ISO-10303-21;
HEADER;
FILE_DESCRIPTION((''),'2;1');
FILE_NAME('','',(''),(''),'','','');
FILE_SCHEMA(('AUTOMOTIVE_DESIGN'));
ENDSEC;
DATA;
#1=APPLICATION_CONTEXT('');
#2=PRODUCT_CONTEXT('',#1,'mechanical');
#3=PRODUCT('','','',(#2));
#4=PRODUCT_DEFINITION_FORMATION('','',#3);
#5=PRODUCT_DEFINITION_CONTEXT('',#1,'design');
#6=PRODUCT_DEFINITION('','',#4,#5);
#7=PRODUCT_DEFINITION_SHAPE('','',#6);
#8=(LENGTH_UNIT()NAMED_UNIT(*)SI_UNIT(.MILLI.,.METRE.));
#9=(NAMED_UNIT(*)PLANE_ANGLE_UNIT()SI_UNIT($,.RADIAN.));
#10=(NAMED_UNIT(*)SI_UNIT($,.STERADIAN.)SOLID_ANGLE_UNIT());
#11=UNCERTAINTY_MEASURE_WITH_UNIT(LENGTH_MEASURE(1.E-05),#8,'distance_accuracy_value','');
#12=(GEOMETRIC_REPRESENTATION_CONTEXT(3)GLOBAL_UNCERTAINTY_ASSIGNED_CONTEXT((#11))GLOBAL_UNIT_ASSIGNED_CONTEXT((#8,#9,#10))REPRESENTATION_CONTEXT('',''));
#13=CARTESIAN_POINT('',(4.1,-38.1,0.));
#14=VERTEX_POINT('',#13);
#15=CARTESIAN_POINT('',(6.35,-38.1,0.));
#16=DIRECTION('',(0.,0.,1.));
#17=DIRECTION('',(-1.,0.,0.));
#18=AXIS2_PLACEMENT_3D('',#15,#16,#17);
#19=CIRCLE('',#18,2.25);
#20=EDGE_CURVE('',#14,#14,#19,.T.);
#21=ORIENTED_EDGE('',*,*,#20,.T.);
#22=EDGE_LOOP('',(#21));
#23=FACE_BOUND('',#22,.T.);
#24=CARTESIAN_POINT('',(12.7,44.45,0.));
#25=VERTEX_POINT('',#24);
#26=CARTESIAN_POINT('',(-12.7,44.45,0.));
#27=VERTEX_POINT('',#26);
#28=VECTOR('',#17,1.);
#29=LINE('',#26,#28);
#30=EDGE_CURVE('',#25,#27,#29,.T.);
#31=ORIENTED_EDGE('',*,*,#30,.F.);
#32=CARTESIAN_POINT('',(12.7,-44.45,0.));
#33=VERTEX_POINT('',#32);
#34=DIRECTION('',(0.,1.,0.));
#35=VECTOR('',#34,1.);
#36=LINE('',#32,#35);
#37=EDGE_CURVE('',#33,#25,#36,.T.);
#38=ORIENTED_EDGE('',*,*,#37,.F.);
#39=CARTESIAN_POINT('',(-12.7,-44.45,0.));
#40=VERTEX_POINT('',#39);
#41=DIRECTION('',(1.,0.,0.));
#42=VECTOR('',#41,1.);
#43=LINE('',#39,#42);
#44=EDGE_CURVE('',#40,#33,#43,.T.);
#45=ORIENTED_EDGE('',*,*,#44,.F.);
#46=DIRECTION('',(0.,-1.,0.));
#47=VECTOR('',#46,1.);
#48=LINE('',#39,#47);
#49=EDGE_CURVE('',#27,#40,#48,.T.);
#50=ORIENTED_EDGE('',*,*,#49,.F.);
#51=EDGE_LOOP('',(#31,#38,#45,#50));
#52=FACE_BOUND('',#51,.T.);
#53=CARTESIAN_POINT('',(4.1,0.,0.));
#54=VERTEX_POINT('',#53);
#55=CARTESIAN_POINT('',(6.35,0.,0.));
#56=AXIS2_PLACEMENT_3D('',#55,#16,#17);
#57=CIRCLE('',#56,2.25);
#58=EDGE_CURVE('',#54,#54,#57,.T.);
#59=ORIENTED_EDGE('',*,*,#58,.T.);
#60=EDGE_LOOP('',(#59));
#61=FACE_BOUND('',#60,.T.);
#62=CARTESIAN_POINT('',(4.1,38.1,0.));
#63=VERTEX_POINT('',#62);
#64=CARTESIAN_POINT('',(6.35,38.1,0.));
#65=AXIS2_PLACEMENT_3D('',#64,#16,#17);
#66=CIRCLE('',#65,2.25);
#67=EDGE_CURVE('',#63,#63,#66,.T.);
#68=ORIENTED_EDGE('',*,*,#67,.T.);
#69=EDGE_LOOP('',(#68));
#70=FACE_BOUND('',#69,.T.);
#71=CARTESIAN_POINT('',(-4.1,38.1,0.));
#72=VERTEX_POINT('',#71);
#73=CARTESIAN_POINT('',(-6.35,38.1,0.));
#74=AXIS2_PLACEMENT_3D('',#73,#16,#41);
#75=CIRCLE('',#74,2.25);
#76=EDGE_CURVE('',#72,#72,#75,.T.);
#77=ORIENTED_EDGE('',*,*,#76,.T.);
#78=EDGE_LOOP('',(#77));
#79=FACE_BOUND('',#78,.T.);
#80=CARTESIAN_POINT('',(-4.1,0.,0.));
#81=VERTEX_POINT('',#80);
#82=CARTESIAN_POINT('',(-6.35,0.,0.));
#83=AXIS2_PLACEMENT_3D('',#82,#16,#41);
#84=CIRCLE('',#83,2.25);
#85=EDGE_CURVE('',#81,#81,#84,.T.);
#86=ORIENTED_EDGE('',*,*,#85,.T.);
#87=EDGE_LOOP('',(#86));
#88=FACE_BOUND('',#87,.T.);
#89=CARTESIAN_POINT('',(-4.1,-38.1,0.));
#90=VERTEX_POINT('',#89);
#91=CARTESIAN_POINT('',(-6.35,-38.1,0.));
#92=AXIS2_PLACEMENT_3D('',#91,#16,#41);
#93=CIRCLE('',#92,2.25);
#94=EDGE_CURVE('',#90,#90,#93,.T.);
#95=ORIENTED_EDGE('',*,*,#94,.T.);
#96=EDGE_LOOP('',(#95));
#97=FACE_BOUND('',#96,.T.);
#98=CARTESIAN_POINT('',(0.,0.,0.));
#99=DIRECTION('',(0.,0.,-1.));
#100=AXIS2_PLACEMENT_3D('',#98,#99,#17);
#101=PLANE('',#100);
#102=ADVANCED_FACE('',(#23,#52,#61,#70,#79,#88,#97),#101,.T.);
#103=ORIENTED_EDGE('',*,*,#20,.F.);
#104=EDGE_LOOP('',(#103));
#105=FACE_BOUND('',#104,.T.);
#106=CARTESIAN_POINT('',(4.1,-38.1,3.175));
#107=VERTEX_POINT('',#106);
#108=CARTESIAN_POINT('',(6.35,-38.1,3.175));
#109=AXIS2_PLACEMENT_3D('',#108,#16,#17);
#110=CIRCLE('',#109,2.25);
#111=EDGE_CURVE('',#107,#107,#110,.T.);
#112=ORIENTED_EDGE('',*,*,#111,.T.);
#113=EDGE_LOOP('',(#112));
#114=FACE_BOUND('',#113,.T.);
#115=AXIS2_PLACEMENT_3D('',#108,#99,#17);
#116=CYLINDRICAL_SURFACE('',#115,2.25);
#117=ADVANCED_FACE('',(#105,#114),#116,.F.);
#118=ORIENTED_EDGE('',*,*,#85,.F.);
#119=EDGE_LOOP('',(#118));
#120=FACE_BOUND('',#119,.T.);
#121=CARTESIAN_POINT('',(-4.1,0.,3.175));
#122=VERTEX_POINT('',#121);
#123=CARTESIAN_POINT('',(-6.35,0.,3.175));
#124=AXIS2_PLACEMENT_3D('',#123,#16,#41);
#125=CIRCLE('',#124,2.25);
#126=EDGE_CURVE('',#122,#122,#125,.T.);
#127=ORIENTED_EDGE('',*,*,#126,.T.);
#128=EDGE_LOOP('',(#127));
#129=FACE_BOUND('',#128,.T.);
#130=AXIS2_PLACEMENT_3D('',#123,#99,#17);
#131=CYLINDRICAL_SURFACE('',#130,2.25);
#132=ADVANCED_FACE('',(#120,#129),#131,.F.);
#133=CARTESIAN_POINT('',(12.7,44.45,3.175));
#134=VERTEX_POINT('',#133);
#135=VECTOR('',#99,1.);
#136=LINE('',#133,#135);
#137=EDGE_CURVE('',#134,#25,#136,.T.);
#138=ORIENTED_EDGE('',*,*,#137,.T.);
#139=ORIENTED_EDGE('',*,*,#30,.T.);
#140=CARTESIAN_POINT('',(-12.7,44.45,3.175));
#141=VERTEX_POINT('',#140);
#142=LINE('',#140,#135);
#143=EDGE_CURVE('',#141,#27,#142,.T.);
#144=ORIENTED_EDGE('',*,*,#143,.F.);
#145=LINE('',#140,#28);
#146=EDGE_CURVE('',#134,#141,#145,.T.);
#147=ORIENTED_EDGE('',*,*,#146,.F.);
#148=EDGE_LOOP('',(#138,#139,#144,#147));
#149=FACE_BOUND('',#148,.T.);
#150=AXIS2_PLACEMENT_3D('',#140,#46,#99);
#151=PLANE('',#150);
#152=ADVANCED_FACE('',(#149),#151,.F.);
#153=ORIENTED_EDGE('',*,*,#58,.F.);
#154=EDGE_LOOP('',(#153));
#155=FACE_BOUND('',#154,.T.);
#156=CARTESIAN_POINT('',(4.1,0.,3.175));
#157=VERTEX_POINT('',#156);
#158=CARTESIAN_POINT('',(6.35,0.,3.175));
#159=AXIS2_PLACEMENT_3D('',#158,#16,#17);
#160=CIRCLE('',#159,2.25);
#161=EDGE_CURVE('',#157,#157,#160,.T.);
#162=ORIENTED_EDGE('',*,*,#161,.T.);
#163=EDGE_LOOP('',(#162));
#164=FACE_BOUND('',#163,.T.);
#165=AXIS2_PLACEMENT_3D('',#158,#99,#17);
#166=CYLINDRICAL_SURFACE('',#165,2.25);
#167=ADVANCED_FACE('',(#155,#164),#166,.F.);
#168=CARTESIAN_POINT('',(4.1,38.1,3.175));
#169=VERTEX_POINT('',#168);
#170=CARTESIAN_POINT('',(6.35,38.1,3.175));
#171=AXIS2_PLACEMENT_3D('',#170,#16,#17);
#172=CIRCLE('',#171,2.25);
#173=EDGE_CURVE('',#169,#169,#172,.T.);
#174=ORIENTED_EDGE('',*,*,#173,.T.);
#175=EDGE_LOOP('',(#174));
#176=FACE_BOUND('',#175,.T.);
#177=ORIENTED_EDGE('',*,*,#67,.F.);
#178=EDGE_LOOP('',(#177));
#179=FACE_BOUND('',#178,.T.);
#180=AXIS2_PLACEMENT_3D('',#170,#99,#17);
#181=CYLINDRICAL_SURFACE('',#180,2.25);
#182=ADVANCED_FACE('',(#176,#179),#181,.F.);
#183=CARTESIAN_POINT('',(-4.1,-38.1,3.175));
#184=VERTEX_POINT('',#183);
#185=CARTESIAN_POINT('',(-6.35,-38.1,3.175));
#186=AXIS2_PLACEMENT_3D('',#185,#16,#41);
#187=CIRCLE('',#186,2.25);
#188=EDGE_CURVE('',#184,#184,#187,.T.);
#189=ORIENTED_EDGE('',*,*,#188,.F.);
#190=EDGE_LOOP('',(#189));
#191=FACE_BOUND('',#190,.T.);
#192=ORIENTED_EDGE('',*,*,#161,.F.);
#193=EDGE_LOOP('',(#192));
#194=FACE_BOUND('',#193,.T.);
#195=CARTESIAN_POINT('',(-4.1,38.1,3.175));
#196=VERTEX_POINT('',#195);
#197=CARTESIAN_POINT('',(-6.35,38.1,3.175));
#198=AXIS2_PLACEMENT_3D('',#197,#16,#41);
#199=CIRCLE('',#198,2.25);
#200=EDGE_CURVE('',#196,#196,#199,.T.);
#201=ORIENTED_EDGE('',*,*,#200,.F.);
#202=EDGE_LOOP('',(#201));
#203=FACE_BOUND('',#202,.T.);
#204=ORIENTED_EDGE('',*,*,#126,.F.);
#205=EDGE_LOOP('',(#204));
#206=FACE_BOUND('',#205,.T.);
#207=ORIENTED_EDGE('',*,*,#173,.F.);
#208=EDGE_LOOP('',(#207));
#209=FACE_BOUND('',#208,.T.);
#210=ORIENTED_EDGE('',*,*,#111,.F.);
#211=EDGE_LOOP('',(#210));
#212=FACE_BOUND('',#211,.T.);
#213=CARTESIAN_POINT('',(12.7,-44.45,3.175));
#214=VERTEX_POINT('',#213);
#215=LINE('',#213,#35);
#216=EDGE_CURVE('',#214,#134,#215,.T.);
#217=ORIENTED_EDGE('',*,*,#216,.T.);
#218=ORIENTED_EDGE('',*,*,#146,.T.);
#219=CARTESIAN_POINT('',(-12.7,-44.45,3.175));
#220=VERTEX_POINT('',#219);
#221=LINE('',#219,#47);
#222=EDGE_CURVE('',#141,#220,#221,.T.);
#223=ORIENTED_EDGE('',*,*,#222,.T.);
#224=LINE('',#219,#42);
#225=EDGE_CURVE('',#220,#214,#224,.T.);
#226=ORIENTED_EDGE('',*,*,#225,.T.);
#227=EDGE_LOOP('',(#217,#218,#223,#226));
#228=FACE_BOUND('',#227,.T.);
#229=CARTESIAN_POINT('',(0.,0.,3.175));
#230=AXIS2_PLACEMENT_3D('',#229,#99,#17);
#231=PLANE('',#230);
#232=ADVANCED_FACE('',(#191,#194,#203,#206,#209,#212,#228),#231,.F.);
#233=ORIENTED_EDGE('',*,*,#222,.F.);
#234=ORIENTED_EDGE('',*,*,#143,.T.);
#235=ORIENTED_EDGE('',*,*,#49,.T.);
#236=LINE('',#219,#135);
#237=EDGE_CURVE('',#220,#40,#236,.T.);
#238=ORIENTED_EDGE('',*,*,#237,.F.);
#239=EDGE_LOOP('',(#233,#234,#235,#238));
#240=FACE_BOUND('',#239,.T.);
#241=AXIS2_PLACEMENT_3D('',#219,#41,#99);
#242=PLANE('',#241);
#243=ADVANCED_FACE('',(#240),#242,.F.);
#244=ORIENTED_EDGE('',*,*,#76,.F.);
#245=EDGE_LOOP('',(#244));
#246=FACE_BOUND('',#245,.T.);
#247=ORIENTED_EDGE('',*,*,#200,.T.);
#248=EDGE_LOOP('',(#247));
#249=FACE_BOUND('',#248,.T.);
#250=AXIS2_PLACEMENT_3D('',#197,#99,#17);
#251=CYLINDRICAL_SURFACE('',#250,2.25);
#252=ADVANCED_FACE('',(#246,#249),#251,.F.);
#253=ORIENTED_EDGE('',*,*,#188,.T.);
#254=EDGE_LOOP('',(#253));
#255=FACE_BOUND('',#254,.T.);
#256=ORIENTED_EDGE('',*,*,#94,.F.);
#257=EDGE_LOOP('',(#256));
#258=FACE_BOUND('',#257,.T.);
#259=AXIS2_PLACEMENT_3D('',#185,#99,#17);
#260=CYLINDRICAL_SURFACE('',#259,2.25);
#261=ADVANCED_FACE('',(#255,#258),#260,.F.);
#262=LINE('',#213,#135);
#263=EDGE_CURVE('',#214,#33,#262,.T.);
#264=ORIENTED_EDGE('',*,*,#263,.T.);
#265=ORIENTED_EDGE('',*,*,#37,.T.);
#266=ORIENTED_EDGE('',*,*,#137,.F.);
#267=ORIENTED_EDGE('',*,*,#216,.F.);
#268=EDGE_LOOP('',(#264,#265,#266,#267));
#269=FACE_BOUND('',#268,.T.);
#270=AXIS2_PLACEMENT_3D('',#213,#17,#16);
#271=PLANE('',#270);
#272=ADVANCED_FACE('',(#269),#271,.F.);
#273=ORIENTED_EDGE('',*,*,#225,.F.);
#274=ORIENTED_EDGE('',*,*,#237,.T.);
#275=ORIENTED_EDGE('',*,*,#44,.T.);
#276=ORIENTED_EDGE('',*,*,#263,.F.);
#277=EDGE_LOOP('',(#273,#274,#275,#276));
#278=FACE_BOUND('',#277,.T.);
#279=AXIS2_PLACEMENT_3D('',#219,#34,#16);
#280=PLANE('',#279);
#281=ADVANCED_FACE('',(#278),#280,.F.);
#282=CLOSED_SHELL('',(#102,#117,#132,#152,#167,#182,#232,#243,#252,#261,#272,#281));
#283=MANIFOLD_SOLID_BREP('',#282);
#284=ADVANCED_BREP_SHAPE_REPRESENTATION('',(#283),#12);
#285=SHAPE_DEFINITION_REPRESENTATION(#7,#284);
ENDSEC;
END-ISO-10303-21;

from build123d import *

# Parameters (mm, degrees)
SKETCH1_W           = 25.4
SKETCH1_H           = 88.9
SKETCH1_R           = 2.25
BOSS_EXTRUDE1_DEPTH = 3.175


with BuildPart() as part:
    # Sketch1 → Boss-Extrude1 (new body)
    with BuildSketch(Plane.XY):
        Rectangle(SKETCH1_W, SKETCH1_H)
        with Locations((-6.35, 38.1)):
            Circle(SKETCH1_R, mode=Mode.SUBTRACT)
        with Locations((-6.35, 0)):
            Circle(SKETCH1_R, mode=Mode.SUBTRACT)
        with Locations((-6.35, -38.1)):
            Circle(SKETCH1_R, mode=Mode.SUBTRACT)
        with Locations((6.35, -38.1)):
            Circle(SKETCH1_R, mode=Mode.SUBTRACT)
        with Locations((6.35, 0)):
            Circle(SKETCH1_R, mode=Mode.SUBTRACT)
        with Locations((6.35, 38.1)):
            Circle(SKETCH1_R, mode=Mode.SUBTRACT)
    extrude(amount=BOSS_EXTRUDE1_DEPTH)


solid = part.part
